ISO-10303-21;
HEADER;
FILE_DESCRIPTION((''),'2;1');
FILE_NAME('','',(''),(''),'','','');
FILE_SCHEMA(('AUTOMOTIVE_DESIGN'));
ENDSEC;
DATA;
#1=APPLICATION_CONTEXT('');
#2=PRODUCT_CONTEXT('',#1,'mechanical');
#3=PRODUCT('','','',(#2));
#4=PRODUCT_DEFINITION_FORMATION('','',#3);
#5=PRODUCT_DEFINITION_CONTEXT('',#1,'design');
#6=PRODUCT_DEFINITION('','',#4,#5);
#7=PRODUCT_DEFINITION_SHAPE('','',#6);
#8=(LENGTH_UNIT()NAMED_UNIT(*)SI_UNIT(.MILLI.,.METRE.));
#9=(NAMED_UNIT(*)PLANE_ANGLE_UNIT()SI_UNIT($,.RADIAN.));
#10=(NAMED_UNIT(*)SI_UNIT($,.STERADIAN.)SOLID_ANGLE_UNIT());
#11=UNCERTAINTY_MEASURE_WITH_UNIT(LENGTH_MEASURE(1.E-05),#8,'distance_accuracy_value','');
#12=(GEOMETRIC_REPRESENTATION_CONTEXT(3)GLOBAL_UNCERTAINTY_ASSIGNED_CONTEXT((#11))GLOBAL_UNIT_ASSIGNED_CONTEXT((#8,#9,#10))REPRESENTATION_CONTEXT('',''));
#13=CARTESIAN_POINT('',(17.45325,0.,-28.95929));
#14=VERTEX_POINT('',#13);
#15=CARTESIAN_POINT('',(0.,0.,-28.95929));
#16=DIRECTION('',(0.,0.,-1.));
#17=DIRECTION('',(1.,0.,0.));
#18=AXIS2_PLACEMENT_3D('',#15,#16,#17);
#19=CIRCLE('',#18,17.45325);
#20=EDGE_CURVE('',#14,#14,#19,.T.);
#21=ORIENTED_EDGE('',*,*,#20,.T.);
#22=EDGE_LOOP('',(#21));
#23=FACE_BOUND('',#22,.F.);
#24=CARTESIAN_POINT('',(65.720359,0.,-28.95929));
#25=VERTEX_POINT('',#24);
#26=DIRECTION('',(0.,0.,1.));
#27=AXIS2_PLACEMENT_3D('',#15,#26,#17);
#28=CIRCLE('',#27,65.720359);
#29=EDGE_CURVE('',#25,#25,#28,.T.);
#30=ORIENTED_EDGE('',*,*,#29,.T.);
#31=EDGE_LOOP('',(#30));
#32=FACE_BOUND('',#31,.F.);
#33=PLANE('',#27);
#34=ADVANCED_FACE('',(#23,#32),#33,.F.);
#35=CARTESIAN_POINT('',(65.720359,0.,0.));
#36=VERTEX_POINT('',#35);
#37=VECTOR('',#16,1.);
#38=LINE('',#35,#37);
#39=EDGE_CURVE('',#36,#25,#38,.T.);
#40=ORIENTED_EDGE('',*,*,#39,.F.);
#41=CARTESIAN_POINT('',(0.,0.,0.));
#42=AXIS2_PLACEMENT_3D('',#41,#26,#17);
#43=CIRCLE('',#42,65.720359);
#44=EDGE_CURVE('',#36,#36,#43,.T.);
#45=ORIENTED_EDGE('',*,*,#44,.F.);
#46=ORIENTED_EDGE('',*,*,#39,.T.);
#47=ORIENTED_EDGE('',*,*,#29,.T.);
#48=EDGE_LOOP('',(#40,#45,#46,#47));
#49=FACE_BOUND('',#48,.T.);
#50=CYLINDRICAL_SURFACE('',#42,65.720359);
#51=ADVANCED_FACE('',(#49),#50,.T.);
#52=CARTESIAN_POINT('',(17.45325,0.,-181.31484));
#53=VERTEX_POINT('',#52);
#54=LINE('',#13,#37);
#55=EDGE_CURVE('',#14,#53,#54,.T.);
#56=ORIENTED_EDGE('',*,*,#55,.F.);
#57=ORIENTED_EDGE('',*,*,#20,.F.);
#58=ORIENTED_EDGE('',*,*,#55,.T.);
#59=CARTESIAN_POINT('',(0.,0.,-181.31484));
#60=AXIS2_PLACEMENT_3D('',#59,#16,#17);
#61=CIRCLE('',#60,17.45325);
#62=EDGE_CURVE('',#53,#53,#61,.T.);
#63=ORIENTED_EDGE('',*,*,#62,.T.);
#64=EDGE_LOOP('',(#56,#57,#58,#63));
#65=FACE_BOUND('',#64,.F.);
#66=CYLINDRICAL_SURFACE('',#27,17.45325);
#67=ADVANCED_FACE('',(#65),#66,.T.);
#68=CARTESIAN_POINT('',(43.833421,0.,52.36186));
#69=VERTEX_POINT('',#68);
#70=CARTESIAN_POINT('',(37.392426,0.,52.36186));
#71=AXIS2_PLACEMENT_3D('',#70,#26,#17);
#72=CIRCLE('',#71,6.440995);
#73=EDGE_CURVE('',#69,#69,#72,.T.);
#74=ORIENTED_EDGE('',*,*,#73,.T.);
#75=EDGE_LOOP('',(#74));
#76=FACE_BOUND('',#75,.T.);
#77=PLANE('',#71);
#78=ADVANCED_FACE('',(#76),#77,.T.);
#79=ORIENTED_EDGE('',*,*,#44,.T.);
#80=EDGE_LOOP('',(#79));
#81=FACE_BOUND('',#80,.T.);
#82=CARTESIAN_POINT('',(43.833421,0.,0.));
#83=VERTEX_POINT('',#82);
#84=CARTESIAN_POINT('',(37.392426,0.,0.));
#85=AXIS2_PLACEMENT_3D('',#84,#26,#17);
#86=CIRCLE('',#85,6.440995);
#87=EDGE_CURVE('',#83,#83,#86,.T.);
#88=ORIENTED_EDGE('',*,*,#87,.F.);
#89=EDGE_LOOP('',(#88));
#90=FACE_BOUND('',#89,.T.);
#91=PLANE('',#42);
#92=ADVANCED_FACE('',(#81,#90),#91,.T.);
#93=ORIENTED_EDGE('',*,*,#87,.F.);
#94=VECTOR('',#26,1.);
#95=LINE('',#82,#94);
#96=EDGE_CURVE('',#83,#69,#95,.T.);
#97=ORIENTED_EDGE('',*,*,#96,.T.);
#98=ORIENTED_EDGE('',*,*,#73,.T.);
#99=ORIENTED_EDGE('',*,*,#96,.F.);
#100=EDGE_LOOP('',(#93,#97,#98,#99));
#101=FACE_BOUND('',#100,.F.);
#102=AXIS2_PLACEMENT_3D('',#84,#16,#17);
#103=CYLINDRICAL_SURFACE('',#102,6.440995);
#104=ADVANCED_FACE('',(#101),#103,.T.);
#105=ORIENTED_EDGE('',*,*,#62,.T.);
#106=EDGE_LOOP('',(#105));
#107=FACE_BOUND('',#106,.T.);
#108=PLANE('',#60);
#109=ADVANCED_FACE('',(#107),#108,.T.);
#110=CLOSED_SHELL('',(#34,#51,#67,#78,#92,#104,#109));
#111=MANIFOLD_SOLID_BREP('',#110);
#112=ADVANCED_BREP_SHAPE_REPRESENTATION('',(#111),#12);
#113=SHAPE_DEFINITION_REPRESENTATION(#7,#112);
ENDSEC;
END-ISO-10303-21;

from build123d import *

# Parameters (mm, degrees)
F0_R     = 65.720359
F1_DEPTH = 28.95929
F2_R     = 6.440995
F3_DEPTH = 52.36186
F4_R     = 17.45325
F5_DEPTH = 152.35555


with BuildPart() as f1:
    # F0 (on Top) → F1 (new body)
    with BuildSketch(Plane.XY):
        Circle(F0_R)
    extrude(amount=-F1_DEPTH)

    # F2 (on Top) → F3 (join)
    with BuildSketch(Plane.XY):
        with Locations((37.392426, 0)):
            Circle(F2_R)
    extrude(amount=F3_DEPTH)

    # F4 (on face) → F5 (join)
    with BuildSketch(Plane(origin=(0, 0, -28.95929), x_dir=(1, 0, 0), z_dir=(0, 0, -1))):
        Circle(F4_R)
    extrude(amount=F5_DEPTH)


solid = f1.part
